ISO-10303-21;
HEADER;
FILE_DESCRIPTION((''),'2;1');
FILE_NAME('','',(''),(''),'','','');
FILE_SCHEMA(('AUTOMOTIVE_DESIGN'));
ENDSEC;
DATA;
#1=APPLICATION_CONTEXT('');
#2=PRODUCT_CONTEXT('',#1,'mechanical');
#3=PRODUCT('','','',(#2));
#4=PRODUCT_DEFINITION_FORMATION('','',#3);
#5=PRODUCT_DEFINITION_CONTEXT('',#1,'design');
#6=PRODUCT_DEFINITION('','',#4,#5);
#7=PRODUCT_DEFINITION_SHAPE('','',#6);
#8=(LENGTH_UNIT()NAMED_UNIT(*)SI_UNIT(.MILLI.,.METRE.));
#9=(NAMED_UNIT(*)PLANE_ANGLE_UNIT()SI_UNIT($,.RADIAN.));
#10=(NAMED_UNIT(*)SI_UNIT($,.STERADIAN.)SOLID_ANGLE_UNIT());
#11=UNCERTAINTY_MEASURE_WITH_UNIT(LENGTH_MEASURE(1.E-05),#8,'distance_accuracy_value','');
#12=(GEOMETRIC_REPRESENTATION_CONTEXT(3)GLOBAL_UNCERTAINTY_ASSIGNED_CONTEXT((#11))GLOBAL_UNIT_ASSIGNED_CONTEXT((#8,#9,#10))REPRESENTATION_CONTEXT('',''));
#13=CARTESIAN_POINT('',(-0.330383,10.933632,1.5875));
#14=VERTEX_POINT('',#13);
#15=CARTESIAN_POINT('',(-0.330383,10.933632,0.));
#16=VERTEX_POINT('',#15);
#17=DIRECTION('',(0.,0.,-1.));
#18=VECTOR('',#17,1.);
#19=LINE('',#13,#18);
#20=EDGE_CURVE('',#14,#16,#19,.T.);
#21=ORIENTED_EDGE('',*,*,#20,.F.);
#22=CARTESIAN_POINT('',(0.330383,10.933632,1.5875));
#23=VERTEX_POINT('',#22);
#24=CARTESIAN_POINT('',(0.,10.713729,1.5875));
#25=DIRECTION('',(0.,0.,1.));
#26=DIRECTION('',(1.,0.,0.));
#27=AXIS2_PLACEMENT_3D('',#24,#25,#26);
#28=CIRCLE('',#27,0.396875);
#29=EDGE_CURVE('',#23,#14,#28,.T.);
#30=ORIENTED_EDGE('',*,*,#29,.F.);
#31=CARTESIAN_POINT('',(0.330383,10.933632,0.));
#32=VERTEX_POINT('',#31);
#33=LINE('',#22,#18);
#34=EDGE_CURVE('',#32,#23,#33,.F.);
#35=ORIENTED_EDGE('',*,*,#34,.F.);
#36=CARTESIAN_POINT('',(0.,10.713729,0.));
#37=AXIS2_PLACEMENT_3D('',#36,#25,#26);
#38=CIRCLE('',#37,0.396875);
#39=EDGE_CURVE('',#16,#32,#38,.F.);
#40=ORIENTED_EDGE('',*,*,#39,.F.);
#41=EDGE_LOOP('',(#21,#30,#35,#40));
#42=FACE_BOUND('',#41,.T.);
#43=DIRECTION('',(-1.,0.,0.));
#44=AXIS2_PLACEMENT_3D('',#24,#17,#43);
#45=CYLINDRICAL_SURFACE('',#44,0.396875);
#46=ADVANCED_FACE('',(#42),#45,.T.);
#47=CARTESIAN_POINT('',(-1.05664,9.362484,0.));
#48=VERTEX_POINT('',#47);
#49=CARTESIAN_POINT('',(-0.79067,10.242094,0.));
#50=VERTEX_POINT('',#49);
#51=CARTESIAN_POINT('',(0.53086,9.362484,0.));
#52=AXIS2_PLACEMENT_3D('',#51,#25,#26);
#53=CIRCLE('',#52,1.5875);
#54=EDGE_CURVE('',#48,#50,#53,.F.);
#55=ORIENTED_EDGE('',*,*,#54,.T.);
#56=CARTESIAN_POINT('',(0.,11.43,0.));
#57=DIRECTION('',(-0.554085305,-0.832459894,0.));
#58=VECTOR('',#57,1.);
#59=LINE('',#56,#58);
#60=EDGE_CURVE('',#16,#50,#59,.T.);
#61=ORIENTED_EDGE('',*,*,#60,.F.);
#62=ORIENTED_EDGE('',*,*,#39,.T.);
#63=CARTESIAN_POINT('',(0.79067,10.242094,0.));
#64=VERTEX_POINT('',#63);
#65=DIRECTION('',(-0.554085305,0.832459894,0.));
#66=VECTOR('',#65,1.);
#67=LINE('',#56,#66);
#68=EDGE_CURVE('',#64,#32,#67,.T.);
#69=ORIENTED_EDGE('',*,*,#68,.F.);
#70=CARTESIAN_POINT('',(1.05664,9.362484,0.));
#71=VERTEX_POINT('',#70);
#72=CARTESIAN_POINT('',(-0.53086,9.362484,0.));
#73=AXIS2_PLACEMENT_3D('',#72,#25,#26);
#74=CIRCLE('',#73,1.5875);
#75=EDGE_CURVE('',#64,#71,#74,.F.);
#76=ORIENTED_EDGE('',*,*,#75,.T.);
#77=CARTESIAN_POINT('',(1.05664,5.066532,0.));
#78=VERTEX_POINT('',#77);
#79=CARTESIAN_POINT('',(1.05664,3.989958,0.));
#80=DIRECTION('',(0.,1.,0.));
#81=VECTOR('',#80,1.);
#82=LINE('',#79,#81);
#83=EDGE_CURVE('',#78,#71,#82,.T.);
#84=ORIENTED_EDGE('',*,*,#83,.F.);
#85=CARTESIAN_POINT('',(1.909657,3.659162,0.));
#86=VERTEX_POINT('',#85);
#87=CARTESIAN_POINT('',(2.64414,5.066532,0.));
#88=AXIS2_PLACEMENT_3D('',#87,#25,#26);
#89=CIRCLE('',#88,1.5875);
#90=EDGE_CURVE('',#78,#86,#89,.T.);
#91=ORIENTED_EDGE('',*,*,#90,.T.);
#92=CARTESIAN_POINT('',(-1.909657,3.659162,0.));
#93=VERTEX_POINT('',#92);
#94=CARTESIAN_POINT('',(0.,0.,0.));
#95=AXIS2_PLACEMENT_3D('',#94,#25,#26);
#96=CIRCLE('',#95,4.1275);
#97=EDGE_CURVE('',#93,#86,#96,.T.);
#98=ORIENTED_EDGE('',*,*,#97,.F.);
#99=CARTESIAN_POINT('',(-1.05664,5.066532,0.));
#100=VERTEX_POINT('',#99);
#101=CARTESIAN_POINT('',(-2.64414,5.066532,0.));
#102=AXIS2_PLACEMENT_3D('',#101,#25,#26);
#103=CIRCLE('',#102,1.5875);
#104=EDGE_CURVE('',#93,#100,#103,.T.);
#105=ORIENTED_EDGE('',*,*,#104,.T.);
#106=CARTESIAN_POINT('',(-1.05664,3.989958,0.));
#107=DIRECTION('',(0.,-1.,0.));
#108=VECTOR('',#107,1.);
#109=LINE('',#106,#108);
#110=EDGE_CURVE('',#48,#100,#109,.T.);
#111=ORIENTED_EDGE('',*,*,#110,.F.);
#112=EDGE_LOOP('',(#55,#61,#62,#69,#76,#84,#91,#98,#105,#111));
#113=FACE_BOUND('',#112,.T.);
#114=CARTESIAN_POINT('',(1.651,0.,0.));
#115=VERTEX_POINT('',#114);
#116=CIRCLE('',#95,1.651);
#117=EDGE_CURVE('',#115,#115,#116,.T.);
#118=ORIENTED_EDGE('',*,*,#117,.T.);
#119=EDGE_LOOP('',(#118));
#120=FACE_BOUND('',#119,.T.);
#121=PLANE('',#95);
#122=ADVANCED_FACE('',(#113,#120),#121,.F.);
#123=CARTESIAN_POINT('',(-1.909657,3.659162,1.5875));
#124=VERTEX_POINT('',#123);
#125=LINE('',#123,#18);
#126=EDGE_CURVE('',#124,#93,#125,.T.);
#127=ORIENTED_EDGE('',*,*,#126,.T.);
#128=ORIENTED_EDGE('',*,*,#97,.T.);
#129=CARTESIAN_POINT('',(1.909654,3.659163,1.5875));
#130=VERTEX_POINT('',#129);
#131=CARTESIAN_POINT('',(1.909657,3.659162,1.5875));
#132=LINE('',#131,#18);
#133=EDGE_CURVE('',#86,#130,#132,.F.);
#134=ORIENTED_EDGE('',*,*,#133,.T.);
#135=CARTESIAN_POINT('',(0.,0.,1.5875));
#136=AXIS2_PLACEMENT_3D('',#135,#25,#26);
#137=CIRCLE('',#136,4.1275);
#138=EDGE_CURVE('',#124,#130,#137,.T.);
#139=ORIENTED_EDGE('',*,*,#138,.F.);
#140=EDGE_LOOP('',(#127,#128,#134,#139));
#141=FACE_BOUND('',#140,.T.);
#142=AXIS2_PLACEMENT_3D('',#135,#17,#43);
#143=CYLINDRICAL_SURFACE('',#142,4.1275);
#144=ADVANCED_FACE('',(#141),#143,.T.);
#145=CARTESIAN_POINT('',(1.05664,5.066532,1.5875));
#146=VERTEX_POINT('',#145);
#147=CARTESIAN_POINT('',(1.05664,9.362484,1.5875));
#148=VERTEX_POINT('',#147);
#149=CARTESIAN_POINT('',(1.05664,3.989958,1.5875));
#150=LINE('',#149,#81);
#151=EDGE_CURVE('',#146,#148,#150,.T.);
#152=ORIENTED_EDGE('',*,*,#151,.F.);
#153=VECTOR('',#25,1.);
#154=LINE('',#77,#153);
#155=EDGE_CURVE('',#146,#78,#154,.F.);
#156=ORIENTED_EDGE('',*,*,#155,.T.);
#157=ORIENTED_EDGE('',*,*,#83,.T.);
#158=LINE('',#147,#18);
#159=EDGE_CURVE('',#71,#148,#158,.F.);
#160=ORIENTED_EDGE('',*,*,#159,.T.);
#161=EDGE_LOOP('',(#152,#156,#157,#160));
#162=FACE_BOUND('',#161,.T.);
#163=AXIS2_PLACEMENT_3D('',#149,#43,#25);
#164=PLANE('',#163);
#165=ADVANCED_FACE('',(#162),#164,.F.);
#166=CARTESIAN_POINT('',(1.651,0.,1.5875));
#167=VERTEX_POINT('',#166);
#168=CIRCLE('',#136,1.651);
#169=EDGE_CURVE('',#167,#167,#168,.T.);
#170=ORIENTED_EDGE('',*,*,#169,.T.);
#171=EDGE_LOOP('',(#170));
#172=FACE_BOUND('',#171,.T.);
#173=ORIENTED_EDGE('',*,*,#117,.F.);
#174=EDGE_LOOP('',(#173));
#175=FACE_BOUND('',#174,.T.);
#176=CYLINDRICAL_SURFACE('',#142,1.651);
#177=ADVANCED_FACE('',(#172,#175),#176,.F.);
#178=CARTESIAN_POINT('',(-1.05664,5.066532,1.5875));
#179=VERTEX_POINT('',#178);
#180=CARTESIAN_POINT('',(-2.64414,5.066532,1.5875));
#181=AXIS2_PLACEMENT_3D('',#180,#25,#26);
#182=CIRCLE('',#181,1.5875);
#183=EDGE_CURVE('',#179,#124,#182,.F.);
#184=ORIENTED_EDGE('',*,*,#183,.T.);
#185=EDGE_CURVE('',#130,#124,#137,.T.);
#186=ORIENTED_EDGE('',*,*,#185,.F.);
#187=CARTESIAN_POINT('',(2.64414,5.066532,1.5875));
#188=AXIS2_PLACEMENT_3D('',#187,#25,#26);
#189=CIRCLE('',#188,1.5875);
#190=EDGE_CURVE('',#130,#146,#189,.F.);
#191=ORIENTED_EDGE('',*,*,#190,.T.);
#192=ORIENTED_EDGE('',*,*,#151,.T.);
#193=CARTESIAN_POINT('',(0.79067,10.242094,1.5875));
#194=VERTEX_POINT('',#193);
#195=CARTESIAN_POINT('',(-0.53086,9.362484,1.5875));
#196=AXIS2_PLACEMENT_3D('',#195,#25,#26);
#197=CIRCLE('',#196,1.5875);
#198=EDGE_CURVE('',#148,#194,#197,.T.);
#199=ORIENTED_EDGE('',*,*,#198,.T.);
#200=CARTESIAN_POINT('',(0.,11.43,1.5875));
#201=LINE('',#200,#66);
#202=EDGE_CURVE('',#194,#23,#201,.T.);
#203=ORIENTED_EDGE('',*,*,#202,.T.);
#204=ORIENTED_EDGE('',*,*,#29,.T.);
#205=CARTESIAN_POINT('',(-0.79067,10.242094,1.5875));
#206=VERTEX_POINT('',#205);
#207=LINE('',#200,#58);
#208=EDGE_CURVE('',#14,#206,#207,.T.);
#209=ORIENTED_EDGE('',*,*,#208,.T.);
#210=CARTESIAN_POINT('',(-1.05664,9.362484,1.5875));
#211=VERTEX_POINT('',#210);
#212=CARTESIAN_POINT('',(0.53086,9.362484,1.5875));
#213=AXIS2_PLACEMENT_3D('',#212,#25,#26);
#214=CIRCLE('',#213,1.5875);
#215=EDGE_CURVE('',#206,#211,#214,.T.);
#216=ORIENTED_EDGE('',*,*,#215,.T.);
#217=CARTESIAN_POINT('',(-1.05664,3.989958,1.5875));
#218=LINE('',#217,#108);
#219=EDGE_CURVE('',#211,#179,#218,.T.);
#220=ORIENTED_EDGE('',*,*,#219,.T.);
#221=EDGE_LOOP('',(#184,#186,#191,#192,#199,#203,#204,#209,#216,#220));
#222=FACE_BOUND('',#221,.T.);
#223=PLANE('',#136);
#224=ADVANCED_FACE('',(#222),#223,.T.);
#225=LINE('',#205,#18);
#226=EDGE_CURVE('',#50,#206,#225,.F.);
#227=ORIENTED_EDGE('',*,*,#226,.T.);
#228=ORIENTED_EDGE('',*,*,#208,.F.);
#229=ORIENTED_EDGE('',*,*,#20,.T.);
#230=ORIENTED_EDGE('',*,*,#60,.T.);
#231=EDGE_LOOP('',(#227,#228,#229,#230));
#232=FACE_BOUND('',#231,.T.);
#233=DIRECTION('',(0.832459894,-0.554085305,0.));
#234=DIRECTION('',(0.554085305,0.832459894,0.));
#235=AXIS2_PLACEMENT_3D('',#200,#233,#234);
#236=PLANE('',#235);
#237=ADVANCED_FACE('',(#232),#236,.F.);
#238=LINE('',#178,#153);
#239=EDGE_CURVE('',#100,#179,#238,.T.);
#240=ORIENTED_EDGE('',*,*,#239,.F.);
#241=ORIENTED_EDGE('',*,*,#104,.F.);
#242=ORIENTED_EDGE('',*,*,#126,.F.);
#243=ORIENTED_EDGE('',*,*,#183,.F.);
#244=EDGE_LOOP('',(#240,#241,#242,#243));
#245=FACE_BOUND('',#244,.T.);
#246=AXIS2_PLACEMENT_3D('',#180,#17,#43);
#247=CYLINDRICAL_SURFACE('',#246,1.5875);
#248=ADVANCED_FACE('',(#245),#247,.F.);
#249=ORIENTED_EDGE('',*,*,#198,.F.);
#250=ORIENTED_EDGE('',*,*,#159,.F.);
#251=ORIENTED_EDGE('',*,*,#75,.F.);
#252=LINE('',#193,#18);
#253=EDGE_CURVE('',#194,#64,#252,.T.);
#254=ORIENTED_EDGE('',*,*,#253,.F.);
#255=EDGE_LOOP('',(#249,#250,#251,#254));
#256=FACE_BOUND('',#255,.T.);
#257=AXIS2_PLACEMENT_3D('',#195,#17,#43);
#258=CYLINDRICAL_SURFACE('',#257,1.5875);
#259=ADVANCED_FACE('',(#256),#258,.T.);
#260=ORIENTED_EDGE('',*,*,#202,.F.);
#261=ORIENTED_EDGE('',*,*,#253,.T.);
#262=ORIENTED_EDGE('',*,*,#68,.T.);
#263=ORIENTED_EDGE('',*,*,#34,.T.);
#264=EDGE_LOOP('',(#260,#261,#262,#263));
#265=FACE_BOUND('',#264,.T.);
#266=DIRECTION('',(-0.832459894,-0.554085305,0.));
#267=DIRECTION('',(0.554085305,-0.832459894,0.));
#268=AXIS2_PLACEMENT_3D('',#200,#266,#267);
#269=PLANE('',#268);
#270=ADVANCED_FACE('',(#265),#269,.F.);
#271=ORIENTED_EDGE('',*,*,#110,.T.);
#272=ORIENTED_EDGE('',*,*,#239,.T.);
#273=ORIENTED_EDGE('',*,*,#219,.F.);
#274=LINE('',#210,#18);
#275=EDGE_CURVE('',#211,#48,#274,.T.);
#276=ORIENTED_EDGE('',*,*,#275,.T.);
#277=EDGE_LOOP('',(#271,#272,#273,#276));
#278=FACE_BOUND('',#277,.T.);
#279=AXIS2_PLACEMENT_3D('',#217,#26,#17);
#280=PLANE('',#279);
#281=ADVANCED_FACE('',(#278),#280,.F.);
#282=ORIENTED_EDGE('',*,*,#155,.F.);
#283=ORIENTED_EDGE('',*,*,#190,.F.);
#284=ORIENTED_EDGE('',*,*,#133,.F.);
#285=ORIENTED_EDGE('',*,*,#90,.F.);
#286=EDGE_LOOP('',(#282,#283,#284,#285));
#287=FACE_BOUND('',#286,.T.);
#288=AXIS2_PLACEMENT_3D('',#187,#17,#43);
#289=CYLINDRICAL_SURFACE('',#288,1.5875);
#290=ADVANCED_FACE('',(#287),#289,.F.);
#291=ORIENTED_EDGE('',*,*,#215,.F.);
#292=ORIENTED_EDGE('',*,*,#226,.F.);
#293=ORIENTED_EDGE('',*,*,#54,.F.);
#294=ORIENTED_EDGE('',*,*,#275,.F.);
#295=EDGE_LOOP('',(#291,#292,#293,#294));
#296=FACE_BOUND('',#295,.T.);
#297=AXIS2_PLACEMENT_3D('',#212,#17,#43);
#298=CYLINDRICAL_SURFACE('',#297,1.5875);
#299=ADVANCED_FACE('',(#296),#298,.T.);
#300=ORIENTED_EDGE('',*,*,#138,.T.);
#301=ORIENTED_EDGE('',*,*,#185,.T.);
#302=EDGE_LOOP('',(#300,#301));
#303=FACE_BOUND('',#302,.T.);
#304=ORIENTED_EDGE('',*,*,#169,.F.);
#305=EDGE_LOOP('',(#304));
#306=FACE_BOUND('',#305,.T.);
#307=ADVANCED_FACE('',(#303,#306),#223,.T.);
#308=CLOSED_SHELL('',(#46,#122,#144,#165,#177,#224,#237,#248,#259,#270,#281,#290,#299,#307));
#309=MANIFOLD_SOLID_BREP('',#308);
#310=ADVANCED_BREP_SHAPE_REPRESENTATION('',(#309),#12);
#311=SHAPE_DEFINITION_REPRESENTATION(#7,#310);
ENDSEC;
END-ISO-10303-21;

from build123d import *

# Parameters (mm, degrees)
SKETCH1_R           = 1.651
BOSS_EXTRUDE1_DEPTH = 1.5875
FILLET1_R           = 1.5875
FILLET2_R           = 0.396875
FILLET3_R           = 1.5875


with BuildPart() as part:
    # Sketch1 → Boss-Extrude1 (new body)
    with BuildSketch(Plane.XY):
        with BuildLine():
            Line((1.05664, 3.989958416), (1.05664, 9.8425))
            Line((1.05664, 9.8425), (0, 11.43))
            Line((0, 11.43), (-1.05664, 9.8425))
            Line((-1.05664, 9.8425), (-1.05664, 3.989958416))
            ThreePointArc((-1.05664, 3.989958416), (0, -4.1275), (1.05664, 3.989958416))
        make_face()
        Circle(SKETCH1_R, mode=Mode.SUBTRACT)
    extrude(amount=BOSS_EXTRUDE1_DEPTH)

    # Fillet1
    fillet1_edges = [part.edges().sort_by_distance(p)[0] for p in [
        (1.05664, 9.8425, 0.79375),
        (-1.05664, 9.8425, 0.79375),
    ]]
    fillet(fillet1_edges, radius=FILLET1_R)

    # Fillet2
    fillet2_edges = [part.edges().sort_by_distance(p)[0] for p in [
        (0, 11.43, 0.79375),
    ]]
    fillet(fillet2_edges, radius=FILLET2_R)

    # Fillet3
    fillet3_edges = [part.edges().sort_by_distance(p)[0] for p in [
        (1.05664, 3.989958416, 0.79375),
        (-1.05664, 3.989958416, 0.79375),
    ]]
    fillet(fillet3_edges, radius=FILLET3_R)


solid = part.part
